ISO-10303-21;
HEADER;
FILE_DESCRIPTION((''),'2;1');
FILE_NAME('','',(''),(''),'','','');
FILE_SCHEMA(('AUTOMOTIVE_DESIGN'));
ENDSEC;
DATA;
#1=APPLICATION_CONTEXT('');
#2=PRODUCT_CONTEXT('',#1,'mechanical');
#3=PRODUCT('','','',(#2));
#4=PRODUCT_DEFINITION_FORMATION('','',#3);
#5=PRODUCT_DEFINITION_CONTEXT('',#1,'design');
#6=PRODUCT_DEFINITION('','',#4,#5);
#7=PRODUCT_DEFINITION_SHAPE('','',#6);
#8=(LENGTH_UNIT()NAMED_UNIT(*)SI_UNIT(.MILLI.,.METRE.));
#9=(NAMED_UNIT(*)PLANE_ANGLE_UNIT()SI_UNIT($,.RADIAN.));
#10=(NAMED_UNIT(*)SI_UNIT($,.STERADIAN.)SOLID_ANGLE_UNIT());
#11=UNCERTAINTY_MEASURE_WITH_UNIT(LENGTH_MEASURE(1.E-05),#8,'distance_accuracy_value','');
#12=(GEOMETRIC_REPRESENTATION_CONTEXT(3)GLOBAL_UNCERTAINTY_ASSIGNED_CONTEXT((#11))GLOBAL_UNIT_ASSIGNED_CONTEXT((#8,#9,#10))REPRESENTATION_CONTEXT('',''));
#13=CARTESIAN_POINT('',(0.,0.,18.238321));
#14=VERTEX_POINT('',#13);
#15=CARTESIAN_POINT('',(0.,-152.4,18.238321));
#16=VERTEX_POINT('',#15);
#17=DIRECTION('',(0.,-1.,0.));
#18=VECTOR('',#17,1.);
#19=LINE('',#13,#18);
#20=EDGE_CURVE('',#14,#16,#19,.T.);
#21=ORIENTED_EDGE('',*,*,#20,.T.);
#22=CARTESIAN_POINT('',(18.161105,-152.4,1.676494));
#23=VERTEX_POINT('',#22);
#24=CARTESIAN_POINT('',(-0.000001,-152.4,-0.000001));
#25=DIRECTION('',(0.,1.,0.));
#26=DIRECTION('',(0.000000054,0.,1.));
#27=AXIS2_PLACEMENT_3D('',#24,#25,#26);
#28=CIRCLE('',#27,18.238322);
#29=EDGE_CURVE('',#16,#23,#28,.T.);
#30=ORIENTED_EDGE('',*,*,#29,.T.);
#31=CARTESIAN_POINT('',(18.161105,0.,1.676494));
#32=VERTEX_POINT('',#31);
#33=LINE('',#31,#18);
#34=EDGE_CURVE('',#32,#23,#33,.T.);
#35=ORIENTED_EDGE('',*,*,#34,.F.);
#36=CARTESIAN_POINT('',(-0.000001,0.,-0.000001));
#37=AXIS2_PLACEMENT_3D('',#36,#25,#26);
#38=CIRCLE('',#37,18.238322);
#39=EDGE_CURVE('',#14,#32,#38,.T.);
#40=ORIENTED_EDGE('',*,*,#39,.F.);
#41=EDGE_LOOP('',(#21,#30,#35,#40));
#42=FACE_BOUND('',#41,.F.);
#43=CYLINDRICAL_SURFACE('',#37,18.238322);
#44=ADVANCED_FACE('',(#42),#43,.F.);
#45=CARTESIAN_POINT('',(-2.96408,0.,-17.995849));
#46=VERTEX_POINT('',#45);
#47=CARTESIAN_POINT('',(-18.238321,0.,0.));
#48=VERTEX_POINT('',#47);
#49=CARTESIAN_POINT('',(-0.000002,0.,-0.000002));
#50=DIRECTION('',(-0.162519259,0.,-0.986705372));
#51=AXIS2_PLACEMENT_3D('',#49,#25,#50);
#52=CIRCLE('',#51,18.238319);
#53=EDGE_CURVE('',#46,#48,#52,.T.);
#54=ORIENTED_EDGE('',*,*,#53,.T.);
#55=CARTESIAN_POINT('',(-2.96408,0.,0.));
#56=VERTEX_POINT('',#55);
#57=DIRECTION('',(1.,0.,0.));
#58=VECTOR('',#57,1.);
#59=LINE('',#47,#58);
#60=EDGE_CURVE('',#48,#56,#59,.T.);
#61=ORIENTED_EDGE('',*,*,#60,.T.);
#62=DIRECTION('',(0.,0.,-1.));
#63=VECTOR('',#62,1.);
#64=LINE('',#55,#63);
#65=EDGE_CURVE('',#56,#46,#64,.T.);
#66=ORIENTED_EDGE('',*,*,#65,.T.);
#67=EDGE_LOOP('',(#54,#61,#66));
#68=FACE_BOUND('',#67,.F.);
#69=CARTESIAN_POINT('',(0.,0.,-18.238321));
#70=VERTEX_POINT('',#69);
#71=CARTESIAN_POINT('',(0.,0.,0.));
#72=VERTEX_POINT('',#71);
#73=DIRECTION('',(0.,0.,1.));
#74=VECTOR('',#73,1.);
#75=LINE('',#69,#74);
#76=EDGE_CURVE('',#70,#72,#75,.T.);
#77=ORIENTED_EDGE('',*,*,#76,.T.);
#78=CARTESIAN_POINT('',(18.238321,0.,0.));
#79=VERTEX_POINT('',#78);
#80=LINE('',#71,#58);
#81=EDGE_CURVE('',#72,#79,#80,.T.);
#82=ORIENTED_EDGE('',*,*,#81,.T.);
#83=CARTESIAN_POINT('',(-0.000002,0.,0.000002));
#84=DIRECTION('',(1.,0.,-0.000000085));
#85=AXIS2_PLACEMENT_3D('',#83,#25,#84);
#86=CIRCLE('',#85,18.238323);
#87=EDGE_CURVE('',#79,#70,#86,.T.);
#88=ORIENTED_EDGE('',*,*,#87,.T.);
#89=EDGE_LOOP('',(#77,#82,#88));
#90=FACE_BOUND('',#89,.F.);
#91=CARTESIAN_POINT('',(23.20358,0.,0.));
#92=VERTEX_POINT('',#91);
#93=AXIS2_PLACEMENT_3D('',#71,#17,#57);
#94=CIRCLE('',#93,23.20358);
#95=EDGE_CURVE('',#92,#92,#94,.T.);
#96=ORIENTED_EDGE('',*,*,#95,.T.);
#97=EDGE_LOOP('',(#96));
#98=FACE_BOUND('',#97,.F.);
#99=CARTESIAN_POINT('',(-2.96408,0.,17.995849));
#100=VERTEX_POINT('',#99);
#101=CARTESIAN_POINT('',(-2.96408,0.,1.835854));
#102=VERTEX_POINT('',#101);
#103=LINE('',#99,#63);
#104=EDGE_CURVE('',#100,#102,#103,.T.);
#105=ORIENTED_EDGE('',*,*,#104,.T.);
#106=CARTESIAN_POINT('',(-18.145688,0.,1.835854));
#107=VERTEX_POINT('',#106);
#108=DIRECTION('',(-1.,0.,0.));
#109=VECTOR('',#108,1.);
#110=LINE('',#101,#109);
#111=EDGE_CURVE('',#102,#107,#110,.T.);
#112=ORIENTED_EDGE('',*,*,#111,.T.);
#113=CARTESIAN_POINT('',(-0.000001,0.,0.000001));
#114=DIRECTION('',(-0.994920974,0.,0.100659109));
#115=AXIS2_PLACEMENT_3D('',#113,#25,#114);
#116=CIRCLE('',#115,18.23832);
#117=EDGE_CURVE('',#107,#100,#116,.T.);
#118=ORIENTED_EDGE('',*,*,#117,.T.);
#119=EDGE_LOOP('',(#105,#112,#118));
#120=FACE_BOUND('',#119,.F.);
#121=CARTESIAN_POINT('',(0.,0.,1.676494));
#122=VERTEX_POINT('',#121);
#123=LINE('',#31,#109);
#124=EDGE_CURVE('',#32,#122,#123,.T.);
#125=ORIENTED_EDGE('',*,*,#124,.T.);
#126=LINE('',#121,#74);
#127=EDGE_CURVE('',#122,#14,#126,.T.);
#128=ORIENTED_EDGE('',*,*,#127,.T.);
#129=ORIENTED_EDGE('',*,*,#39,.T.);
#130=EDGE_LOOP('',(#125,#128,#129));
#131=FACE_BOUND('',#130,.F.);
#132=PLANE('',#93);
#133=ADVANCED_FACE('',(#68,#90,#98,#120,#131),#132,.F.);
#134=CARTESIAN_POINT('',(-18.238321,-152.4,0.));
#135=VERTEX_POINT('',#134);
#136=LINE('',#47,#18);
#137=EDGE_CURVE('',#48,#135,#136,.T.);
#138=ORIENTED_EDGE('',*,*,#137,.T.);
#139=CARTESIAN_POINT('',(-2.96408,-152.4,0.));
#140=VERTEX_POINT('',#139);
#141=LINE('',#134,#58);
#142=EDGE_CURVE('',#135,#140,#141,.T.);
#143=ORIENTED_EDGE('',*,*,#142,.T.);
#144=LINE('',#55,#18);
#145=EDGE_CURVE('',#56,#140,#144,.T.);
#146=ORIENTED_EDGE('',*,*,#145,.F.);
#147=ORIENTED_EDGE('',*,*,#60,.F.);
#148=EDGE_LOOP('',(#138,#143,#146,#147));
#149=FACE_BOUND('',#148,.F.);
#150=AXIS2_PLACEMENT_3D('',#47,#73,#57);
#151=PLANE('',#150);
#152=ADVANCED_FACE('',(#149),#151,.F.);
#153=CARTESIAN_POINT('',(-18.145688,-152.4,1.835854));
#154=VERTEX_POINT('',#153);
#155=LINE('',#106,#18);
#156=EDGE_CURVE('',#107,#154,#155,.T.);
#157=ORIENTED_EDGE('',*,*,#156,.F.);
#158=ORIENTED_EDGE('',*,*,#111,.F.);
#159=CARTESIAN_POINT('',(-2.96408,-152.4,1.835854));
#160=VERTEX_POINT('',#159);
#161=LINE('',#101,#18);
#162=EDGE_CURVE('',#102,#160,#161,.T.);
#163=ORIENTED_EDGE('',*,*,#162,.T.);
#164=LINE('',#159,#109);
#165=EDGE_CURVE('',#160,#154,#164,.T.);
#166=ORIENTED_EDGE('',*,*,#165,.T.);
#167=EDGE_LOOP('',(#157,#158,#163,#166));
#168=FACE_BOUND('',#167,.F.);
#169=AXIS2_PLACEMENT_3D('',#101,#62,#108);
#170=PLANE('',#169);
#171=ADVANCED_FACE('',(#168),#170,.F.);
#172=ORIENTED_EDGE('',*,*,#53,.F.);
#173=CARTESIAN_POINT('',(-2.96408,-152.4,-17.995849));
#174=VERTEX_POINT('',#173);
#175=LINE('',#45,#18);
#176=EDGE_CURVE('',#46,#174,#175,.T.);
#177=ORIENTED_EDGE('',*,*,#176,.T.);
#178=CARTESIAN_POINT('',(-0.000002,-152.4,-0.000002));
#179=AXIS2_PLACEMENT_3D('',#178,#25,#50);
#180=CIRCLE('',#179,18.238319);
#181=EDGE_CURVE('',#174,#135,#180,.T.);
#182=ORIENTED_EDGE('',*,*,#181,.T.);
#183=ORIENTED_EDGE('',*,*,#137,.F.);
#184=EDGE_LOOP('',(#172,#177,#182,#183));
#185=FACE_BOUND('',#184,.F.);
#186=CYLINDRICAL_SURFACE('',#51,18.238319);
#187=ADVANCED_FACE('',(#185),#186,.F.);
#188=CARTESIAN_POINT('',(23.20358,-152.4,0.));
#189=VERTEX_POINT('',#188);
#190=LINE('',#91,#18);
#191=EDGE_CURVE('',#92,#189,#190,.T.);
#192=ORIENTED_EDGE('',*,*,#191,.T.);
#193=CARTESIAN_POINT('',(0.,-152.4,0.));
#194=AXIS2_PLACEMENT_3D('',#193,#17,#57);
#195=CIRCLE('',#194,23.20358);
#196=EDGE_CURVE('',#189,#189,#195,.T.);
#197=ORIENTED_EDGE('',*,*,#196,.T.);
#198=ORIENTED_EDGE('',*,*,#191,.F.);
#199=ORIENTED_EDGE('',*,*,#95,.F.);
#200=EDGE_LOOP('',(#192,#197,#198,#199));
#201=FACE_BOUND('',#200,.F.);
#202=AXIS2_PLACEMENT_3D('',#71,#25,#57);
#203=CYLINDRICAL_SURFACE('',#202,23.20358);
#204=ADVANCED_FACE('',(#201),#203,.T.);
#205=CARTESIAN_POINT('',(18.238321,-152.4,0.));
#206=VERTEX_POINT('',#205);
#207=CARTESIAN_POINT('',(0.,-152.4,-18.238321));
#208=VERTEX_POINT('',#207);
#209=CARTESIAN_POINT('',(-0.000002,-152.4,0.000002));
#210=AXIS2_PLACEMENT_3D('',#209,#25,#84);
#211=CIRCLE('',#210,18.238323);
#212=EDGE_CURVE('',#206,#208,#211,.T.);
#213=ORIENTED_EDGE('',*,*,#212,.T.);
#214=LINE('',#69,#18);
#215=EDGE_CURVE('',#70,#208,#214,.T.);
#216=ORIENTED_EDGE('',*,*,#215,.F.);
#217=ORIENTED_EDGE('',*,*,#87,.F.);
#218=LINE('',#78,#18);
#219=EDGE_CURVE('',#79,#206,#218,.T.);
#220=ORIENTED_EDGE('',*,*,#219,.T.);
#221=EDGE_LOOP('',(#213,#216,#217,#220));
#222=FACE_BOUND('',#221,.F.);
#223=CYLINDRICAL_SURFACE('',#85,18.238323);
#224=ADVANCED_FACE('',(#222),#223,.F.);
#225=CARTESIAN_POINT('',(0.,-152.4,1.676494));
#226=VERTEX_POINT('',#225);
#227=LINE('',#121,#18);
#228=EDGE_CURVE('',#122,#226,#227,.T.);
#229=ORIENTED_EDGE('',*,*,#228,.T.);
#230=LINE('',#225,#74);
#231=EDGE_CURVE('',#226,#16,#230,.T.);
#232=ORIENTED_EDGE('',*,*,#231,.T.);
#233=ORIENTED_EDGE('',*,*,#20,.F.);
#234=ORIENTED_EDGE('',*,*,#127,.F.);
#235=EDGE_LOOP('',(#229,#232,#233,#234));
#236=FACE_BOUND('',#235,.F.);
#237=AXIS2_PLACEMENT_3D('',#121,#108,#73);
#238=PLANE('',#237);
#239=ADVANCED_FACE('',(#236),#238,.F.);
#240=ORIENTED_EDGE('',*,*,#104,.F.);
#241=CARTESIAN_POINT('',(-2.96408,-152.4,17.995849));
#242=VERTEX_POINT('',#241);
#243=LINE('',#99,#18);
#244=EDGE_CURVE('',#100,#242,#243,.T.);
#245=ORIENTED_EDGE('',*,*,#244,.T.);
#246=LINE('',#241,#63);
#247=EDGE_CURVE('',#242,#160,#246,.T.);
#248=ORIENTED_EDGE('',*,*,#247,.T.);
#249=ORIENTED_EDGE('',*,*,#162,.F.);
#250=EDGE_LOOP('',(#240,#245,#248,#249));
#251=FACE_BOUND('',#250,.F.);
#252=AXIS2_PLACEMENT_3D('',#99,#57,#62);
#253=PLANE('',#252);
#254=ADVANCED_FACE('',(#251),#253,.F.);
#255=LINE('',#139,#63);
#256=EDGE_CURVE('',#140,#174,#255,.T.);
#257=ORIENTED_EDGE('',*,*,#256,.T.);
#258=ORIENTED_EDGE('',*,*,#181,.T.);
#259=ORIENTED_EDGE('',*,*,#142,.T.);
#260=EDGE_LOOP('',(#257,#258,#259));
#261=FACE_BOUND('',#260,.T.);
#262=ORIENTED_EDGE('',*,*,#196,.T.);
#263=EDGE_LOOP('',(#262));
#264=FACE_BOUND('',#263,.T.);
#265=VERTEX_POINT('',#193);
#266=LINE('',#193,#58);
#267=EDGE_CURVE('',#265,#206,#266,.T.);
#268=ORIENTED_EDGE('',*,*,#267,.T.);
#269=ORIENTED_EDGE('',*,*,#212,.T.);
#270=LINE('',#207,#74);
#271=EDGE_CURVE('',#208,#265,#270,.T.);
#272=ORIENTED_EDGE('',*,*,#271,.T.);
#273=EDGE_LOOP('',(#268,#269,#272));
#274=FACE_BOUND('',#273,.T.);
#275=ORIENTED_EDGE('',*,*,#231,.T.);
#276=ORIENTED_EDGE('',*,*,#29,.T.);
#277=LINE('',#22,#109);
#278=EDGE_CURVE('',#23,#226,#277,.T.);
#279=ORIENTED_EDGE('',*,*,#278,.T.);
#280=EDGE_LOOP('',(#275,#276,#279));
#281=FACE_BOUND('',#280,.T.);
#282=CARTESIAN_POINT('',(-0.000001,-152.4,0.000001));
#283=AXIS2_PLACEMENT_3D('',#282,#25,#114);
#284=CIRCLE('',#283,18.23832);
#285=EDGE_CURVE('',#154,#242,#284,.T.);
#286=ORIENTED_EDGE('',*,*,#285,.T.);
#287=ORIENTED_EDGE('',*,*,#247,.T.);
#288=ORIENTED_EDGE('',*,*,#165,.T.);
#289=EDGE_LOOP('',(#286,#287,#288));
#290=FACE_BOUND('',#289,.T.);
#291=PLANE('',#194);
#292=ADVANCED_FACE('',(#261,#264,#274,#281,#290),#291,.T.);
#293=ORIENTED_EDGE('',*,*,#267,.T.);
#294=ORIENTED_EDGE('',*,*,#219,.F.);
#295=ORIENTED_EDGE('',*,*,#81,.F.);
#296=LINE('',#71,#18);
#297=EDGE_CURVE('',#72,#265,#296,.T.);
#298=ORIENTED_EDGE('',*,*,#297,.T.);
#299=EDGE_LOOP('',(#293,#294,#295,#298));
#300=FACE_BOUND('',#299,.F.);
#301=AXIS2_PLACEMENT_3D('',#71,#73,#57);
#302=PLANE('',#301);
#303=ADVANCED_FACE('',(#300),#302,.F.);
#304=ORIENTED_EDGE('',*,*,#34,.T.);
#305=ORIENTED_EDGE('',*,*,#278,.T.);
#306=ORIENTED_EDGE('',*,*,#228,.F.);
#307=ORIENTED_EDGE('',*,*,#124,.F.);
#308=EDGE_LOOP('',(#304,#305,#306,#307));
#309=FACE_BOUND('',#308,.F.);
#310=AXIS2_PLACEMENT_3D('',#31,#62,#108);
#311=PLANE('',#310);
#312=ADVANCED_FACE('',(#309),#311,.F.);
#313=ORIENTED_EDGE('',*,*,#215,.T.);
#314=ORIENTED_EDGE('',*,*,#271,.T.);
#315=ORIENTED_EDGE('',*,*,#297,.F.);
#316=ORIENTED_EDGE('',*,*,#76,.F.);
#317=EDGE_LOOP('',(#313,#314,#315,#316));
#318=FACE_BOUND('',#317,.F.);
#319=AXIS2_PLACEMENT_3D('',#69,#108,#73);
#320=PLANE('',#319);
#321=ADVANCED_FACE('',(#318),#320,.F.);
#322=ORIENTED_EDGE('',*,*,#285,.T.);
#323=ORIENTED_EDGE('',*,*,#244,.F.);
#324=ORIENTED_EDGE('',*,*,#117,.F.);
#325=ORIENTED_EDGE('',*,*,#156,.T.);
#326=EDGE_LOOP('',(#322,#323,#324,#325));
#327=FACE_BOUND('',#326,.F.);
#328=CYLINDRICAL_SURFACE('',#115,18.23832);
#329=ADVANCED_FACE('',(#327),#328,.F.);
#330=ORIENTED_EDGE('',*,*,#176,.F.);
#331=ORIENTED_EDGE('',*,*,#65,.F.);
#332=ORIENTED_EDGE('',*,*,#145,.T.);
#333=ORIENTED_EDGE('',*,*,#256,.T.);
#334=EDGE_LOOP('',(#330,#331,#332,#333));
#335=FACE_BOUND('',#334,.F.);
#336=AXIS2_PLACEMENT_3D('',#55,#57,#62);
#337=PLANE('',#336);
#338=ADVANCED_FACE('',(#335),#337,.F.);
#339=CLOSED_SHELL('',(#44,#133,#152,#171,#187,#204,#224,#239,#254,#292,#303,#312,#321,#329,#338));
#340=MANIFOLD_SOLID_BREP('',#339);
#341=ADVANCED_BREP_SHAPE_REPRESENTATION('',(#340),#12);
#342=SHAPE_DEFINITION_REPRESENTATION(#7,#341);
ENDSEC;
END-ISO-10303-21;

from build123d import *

# Parameters (mm, degrees)
F0_R     = 23.20358
F1_DEPTH = 152.4


with BuildPart() as f1:
    # F0 (on Front) → F1 (new body)
    with BuildSketch(Plane.XZ):
        Circle(F0_R)
        with BuildLine():
            ThreePointArc((-2.96408, -17.995849), (-13.904967, -11.802045), (-18.238321, 0))
            Line((-18.238321, 0), (-2.96408, 0))
            Line((-2.96408, 0), (-2.96408, -17.995849))
        make_face(mode=Mode.SUBTRACT)
        with BuildLine():
            ThreePointArc((18.238321, 0), (12.89644, -12.89644), (0, -18.238321))
            Line((0, -18.238321), (0, 0))
            Line((0, 0), (18.238321, 0))
        make_face(mode=Mode.SUBTRACT)
        with BuildLine():
            ThreePointArc((-18.145688, 1.835854), (-13.292552, 12.487771), (-2.96408, 17.995849))
            Line((-2.96408, 17.995849), (-2.96408, 1.835854))
            Line((-2.96408, 1.835854), (-18.145688, 1.835854))
        make_face(mode=Mode.SUBTRACT)
        with BuildLine():
            Line((0, 3.556), (0, 18.238321))
            ThreePointArc((0, 18.238321), (12.289425, 13.476141), (18.161105, 1.676494))
            Line((18.161105, 1.676494), (0, 1.676494))
            Line((0, 1.676494), (0, 3.556))
        make_face(mode=Mode.SUBTRACT)
    extrude(amount=F1_DEPTH)


solid = f1.part
